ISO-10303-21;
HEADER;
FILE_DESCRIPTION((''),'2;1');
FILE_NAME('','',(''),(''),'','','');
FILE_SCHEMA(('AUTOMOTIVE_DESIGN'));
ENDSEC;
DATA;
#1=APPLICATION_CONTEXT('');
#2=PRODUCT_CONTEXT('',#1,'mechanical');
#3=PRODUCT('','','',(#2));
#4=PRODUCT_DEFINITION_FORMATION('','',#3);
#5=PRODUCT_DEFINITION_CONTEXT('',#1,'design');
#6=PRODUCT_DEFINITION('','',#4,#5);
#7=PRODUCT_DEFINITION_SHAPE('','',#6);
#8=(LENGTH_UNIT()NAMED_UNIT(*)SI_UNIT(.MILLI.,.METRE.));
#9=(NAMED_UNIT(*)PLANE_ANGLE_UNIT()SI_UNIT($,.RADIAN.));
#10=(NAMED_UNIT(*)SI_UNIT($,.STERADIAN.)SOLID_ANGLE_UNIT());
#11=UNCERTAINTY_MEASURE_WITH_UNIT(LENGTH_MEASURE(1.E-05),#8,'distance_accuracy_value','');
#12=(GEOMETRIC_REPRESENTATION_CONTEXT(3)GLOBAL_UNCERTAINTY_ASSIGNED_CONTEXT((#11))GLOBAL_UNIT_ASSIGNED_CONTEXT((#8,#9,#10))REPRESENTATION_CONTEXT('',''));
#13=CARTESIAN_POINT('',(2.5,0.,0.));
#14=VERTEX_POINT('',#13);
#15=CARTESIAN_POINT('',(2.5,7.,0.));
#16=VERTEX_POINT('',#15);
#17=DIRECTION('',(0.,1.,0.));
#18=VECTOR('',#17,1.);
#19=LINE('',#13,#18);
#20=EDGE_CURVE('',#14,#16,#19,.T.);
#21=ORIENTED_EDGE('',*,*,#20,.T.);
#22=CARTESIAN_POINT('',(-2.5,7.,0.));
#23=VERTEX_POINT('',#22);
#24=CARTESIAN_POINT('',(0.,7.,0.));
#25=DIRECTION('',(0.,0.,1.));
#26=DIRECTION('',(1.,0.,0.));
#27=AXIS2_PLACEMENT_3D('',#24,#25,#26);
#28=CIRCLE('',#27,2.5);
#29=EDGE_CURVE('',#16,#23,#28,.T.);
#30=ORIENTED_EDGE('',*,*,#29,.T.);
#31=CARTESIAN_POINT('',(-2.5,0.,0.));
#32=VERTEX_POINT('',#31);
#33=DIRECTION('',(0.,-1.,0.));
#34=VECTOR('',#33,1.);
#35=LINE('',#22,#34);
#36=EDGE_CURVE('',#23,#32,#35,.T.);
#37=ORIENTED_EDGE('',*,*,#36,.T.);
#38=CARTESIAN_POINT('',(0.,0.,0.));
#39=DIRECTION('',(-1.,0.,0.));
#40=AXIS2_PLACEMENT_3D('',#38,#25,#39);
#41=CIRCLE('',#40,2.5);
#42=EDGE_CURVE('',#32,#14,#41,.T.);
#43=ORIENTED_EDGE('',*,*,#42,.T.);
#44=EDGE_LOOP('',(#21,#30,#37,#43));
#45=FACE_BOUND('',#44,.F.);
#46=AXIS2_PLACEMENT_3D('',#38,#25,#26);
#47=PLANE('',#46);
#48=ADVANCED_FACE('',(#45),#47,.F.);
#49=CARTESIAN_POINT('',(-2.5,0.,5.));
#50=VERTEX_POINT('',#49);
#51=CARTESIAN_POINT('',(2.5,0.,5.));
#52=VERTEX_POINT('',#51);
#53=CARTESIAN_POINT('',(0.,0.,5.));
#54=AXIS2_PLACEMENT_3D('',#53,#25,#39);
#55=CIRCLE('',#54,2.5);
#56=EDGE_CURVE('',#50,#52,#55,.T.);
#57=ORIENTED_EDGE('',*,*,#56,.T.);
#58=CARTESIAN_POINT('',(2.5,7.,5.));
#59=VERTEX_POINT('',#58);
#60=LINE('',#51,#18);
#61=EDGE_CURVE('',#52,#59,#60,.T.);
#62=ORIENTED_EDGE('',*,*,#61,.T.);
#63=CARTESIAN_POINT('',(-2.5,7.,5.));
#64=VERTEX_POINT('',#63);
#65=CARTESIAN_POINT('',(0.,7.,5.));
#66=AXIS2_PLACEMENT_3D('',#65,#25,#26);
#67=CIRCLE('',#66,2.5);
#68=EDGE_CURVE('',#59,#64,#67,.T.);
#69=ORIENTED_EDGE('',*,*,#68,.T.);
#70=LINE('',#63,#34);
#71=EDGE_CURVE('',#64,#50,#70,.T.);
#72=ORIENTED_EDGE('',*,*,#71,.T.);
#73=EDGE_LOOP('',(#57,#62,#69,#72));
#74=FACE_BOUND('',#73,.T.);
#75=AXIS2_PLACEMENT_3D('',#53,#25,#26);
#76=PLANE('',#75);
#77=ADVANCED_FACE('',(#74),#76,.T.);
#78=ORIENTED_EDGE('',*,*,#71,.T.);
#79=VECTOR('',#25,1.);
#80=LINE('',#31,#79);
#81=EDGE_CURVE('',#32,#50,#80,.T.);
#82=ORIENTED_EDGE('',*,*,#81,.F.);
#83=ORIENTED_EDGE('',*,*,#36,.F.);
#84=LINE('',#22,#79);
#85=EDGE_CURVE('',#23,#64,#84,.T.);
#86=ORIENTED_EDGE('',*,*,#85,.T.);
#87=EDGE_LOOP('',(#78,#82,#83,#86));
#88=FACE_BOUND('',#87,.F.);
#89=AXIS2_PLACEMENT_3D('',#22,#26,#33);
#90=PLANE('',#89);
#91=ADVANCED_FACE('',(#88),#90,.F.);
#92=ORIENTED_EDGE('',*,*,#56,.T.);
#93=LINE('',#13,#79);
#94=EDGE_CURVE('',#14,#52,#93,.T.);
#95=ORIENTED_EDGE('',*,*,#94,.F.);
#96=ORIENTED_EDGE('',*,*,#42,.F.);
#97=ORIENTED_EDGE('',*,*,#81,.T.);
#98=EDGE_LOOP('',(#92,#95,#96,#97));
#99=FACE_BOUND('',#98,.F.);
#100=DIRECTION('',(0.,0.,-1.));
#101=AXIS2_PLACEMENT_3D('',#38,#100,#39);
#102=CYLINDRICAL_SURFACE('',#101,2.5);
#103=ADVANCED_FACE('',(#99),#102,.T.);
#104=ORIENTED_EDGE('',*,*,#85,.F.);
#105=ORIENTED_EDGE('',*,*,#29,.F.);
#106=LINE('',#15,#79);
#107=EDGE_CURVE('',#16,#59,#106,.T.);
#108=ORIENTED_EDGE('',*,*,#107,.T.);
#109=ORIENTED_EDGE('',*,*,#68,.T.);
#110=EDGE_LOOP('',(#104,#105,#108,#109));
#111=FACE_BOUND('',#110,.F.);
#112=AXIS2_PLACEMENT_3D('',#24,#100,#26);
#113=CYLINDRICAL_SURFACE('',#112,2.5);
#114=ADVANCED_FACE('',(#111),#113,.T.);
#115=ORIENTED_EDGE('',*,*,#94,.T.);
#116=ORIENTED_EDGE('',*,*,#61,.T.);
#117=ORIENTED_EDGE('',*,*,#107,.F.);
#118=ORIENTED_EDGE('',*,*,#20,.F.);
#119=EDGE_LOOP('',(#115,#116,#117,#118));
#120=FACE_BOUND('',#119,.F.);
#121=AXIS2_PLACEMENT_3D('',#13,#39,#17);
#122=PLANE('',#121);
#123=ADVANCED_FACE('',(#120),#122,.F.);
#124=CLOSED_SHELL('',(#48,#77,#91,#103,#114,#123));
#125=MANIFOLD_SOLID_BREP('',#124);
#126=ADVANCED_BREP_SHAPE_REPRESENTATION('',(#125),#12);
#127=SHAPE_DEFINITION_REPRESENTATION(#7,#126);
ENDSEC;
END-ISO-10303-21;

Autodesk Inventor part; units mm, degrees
ref_plane "YZ Plane" through (0, 0, 0) normal (1, 0, 0) x (0, 1, 0)
ref_plane "XZ Plane" through (0, 0, 0) normal (0, 1, 0) x (-1, 0, 0)
ref_plane "XY Plane" through (0, 0, 0) normal (0, 0, 1) x (1, 0, 0)
sketch "Sketch1" plane through (0, 0, 0) normal (0, 0, 1) x (1, 0, 0)
  line L0 (0, 0) -> (0, 7) construction
  line L1 (2.5, 0) -> (2.5, 7)
  line L2 (-2.5, 7) -> (-2.5, 0)
  arc A0 (-2.5, 0) -> (2.5, 0) centre (0, 0) ccw
  arc A1 (2.5, 7) -> (-2.5, 7) centre (0, 7) ccw
  point P0 (0, 3.5)
  dimension "d0" = 7
  dimension "d1" = 5
extrude "Extrusion1" add sketch "Sketch1" along normal blind 5
properties part number "key-5x5x12"
